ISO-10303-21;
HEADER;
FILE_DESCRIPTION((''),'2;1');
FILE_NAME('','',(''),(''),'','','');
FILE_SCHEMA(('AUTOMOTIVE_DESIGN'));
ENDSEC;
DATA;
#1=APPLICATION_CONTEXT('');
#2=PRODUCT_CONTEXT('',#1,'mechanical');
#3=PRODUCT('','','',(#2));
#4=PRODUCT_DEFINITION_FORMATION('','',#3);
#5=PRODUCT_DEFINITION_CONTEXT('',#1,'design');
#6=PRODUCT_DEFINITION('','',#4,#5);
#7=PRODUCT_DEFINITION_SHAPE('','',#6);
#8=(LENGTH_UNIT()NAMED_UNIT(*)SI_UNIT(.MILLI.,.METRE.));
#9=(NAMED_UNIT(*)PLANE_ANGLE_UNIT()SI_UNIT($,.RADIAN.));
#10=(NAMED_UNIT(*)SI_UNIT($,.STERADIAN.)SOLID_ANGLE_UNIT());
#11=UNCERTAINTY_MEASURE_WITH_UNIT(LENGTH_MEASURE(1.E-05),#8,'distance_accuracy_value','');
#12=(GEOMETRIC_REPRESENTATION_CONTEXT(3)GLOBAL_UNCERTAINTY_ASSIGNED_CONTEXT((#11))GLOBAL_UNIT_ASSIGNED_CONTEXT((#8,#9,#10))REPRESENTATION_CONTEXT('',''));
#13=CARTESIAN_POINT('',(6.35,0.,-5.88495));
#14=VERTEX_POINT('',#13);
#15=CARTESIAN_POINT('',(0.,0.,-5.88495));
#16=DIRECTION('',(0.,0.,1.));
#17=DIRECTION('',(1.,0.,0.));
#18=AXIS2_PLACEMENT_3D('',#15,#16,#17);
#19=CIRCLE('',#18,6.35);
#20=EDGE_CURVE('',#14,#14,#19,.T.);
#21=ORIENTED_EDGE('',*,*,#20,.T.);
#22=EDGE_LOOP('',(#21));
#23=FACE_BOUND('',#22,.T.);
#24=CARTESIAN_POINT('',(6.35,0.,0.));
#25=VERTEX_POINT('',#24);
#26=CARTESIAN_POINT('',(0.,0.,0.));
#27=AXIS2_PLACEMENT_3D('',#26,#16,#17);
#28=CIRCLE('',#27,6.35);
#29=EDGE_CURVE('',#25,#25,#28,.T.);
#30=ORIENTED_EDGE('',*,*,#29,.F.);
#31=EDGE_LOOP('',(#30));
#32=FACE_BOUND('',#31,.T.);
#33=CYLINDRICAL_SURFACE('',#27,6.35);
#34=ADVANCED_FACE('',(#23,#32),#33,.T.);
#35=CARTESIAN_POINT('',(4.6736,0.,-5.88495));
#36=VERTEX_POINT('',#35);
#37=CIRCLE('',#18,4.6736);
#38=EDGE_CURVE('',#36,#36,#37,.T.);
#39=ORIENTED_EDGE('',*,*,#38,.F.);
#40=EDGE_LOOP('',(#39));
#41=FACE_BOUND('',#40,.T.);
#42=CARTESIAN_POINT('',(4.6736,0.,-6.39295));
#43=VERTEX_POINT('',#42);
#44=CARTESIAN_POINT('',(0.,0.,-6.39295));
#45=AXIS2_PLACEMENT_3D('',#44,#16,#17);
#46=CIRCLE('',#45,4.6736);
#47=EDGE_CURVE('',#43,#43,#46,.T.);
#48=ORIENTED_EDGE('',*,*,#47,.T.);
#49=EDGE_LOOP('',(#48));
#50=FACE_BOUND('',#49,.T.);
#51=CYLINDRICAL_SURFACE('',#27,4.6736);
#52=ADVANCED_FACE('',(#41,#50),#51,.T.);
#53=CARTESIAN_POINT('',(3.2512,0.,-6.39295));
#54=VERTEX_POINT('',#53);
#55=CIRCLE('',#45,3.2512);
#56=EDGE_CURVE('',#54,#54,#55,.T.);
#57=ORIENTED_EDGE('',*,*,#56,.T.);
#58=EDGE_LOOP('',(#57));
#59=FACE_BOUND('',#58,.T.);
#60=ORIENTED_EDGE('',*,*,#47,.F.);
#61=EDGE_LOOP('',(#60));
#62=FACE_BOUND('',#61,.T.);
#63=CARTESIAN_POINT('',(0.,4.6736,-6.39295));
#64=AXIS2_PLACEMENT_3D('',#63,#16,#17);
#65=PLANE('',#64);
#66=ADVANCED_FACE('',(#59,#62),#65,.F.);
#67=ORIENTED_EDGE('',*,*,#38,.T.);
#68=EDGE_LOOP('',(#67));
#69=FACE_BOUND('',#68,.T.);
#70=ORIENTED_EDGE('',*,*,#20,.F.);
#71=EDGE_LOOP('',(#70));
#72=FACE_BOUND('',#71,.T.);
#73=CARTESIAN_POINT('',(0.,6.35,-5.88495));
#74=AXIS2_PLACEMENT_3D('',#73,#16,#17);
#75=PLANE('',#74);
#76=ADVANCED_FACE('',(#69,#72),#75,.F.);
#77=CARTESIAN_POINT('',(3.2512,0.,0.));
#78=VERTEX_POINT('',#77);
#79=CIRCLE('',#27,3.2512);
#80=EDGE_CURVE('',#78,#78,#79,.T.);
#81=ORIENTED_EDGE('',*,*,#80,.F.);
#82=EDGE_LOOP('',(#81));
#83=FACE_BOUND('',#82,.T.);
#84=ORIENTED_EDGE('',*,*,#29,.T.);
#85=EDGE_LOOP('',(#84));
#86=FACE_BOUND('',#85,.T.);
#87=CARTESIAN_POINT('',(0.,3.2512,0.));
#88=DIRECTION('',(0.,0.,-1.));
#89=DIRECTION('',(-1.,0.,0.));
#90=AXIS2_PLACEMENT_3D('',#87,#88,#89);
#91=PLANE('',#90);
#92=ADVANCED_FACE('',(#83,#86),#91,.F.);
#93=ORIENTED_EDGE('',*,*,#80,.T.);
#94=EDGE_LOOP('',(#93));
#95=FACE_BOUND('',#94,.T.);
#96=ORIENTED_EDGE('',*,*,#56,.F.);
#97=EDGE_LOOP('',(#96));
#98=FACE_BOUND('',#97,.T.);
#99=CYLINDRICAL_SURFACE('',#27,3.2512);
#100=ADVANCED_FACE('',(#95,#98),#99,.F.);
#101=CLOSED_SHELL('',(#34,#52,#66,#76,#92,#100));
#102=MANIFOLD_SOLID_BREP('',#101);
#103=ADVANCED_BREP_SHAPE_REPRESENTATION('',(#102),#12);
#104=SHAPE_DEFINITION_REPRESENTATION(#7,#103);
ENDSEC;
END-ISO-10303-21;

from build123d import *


with BuildPart() as part:
    # Sketch1 → Revolve1 (revolve)
    with BuildSketch(Plane(origin=(0, 0, 0), x_dir=(0, 0, -1), z_dir=(1, 0, 0)), mode=Mode.PRIVATE) as revolve1_sk:
        Polygon((0, 3.2512), (0, 6.35), (5.884949876, 6.35), (5.884949876, 4.6736), (6.392949876, 4.6736), (6.392949876, 3.2512), align=None)
    revolve(revolve1_sk.sketch.rotate(Axis((0, 0, 0), (0, 0, -1)), 90), axis=Axis((0, 0, 0), (0, 0, -1)))


solid = part.part
